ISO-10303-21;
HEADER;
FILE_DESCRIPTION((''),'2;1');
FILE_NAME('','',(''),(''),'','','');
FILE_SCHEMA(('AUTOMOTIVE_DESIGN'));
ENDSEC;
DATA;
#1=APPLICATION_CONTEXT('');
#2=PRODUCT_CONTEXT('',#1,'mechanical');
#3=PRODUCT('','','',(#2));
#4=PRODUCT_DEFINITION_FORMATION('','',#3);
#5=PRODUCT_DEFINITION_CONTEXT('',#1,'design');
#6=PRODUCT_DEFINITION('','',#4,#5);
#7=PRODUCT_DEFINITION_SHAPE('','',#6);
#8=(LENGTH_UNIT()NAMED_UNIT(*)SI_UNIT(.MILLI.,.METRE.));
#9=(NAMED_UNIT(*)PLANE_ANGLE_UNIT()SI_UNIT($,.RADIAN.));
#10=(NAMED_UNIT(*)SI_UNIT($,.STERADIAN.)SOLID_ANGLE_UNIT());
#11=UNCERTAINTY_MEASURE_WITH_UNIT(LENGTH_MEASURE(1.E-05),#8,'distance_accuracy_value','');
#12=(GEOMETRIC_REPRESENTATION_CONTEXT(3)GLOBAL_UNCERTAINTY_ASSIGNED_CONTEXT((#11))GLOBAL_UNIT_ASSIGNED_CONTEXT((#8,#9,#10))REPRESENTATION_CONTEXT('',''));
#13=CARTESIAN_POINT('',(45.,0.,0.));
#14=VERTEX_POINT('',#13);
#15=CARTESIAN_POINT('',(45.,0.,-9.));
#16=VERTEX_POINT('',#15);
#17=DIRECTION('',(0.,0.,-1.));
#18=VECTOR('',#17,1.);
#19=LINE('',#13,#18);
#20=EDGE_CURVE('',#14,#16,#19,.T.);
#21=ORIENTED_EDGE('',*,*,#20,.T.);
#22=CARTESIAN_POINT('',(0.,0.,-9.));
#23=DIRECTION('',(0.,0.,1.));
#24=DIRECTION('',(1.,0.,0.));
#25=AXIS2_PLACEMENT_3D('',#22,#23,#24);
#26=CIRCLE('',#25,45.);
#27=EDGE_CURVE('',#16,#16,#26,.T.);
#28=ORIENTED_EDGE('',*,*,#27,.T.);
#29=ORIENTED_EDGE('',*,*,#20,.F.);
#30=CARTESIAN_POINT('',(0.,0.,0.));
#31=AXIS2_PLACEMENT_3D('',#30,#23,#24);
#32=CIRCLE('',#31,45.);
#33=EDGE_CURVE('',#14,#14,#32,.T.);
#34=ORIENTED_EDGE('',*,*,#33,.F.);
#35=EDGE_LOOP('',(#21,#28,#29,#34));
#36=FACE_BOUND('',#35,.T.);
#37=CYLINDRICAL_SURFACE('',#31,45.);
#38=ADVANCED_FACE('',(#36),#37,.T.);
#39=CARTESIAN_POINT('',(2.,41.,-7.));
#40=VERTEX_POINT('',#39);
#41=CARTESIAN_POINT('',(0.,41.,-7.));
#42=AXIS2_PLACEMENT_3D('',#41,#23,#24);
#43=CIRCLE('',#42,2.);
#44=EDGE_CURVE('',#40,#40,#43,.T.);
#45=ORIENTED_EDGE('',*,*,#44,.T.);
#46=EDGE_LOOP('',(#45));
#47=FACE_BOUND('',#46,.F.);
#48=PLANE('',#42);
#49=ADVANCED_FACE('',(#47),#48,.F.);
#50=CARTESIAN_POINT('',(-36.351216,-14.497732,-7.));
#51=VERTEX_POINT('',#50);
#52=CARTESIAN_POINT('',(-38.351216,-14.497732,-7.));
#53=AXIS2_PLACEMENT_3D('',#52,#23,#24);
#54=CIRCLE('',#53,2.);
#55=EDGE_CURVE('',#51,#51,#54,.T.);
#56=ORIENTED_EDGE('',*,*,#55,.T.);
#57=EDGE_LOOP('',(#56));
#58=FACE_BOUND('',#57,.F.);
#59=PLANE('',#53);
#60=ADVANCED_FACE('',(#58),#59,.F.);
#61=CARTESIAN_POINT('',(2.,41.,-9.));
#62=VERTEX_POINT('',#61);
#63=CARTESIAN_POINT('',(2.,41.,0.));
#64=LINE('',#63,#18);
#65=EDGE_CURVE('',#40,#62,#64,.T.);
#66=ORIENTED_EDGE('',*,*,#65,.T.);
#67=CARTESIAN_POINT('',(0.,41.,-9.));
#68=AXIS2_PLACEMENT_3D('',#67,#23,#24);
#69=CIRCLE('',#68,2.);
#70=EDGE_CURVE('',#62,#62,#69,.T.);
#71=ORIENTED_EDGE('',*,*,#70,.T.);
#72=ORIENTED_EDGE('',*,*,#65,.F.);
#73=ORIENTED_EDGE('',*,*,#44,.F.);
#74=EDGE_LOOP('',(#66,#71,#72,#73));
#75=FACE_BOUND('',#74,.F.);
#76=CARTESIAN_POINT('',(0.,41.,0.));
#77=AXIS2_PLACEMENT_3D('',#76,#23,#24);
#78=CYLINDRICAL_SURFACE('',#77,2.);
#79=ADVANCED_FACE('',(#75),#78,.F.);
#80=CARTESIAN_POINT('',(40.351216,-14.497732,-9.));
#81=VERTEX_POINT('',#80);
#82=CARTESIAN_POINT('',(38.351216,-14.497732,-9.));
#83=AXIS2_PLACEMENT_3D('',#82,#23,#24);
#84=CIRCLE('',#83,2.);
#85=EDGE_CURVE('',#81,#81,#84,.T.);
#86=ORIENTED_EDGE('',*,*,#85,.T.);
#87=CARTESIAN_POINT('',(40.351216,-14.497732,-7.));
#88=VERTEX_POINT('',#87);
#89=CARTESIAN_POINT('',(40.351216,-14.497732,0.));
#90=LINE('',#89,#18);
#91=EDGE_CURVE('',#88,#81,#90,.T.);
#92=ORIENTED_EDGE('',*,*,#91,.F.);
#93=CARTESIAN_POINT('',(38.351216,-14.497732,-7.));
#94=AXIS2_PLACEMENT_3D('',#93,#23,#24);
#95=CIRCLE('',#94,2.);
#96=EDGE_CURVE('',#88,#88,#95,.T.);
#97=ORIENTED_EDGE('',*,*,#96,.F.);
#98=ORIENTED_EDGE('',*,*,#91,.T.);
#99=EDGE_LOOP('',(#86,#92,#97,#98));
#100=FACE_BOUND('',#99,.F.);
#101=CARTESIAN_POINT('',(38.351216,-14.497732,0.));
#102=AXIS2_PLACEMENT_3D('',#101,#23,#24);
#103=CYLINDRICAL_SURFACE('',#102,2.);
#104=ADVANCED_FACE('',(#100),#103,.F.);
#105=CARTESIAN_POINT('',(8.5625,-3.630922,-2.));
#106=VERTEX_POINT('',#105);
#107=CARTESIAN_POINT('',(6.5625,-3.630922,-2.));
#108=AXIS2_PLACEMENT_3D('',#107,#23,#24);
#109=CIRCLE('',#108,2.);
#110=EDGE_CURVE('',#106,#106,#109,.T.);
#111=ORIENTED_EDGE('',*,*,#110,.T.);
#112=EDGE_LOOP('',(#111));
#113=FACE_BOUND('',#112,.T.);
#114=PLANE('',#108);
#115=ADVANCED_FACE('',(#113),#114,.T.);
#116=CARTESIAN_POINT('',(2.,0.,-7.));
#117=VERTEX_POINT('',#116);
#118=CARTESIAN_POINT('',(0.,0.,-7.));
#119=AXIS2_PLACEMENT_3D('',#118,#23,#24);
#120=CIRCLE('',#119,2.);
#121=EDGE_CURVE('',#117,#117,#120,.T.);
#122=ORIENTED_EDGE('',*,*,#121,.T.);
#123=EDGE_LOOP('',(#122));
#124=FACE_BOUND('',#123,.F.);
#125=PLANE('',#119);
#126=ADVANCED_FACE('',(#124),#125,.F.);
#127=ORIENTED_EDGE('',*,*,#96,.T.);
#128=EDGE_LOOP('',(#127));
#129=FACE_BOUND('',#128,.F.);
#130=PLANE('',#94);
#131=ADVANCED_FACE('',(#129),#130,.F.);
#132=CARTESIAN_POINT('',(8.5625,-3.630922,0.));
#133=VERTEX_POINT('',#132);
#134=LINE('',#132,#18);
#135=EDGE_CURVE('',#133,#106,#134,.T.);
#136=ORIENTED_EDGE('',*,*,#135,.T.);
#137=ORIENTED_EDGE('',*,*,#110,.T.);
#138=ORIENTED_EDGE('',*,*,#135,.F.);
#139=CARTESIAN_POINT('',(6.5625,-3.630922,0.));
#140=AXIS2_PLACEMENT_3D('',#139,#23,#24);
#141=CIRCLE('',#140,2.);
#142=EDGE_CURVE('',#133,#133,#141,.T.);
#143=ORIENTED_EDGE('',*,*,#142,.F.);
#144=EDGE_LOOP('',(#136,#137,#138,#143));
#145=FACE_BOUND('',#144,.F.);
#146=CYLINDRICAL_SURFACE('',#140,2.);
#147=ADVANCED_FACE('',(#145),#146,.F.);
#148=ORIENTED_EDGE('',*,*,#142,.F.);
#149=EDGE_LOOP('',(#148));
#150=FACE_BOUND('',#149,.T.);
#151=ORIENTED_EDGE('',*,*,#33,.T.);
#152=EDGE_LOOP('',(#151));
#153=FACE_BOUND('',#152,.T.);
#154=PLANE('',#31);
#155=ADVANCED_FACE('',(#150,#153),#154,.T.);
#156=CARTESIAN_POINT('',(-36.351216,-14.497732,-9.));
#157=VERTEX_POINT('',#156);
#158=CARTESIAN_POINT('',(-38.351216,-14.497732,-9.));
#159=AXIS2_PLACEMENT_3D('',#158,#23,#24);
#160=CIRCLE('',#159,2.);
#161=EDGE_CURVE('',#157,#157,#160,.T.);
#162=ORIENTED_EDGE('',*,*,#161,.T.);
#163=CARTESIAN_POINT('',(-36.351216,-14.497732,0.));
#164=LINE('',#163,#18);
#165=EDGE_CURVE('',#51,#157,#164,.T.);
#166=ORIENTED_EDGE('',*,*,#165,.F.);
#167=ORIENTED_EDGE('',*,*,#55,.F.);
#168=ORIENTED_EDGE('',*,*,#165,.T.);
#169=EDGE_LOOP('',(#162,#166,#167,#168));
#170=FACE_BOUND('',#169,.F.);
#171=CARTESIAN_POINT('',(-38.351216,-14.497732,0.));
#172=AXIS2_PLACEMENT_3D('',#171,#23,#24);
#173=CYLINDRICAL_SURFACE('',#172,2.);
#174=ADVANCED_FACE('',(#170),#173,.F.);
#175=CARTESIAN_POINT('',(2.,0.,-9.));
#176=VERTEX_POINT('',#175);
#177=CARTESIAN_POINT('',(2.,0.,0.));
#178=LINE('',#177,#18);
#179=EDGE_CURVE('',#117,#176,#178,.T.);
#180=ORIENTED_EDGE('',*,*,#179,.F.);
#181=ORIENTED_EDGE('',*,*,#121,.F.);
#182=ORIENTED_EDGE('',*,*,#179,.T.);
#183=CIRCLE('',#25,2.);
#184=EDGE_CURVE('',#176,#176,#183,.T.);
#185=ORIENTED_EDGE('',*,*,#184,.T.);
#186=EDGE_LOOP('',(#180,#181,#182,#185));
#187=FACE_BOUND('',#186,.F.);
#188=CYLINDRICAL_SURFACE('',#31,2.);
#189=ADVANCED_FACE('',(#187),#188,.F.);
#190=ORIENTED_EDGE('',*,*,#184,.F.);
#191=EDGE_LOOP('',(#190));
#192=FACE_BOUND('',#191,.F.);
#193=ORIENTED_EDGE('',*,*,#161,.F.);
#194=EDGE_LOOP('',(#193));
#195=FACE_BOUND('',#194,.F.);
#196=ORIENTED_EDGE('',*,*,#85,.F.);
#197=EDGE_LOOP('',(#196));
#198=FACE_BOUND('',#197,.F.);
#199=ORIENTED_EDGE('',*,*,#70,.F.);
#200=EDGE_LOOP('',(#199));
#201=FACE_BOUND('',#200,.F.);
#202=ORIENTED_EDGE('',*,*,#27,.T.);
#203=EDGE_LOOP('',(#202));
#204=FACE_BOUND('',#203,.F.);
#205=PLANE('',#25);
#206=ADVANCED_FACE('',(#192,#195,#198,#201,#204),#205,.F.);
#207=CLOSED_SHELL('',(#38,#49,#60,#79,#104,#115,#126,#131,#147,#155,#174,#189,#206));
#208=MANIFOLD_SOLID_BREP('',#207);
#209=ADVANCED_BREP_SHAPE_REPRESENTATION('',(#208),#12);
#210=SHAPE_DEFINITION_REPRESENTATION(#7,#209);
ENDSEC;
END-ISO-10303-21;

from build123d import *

# Parameters (mm, degrees)
F0_R     = 45
F0_R_2   = 2
F1_DEPTH = 9
F2_DEPTH = 7
F3_DEPTH = 2


with BuildPart() as f1:
    # F0 (on Top) → F1 (new body)
    with BuildSketch(Plane.XY):
        Circle(F0_R)
        with Locations((-38.351216, -14.497732)):
            Circle(F0_R_2, mode=Mode.SUBTRACT)
        with Locations((6.5625, -3.630922)):
            Circle(F0_R_2, mode=Mode.SUBTRACT)
        with Locations((38.351216, -14.497732)):
            Circle(F0_R_2, mode=Mode.SUBTRACT)
        Circle(F0_R_2, mode=Mode.SUBTRACT)
        with Locations((0, 41)):
            Circle(F0_R_2, mode=Mode.SUBTRACT)
        with Locations((6.5625, -3.630922)):
            Circle(F0_R_2)
    extrude(amount=-F1_DEPTH)

    # F0 (on Top) → F2 (join)
    with BuildSketch(Plane.XY):
        Circle(F0_R_2)
        with Locations((0, 41)):
            Circle(F0_R_2)
        with Locations((38.351216, -14.497732)):
            Circle(F0_R_2)
        with Locations((-38.351216, -14.497732)):
            Circle(F0_R_2)
    extrude(amount=-F2_DEPTH)

    # F0 (on Top) → F3 (cut)
    with BuildSketch(Plane.XY):
        with Locations((6.5625, -3.630922)):
            Circle(F0_R_2)
    extrude(amount=-F3_DEPTH, mode=Mode.SUBTRACT)


solid = f1.part
